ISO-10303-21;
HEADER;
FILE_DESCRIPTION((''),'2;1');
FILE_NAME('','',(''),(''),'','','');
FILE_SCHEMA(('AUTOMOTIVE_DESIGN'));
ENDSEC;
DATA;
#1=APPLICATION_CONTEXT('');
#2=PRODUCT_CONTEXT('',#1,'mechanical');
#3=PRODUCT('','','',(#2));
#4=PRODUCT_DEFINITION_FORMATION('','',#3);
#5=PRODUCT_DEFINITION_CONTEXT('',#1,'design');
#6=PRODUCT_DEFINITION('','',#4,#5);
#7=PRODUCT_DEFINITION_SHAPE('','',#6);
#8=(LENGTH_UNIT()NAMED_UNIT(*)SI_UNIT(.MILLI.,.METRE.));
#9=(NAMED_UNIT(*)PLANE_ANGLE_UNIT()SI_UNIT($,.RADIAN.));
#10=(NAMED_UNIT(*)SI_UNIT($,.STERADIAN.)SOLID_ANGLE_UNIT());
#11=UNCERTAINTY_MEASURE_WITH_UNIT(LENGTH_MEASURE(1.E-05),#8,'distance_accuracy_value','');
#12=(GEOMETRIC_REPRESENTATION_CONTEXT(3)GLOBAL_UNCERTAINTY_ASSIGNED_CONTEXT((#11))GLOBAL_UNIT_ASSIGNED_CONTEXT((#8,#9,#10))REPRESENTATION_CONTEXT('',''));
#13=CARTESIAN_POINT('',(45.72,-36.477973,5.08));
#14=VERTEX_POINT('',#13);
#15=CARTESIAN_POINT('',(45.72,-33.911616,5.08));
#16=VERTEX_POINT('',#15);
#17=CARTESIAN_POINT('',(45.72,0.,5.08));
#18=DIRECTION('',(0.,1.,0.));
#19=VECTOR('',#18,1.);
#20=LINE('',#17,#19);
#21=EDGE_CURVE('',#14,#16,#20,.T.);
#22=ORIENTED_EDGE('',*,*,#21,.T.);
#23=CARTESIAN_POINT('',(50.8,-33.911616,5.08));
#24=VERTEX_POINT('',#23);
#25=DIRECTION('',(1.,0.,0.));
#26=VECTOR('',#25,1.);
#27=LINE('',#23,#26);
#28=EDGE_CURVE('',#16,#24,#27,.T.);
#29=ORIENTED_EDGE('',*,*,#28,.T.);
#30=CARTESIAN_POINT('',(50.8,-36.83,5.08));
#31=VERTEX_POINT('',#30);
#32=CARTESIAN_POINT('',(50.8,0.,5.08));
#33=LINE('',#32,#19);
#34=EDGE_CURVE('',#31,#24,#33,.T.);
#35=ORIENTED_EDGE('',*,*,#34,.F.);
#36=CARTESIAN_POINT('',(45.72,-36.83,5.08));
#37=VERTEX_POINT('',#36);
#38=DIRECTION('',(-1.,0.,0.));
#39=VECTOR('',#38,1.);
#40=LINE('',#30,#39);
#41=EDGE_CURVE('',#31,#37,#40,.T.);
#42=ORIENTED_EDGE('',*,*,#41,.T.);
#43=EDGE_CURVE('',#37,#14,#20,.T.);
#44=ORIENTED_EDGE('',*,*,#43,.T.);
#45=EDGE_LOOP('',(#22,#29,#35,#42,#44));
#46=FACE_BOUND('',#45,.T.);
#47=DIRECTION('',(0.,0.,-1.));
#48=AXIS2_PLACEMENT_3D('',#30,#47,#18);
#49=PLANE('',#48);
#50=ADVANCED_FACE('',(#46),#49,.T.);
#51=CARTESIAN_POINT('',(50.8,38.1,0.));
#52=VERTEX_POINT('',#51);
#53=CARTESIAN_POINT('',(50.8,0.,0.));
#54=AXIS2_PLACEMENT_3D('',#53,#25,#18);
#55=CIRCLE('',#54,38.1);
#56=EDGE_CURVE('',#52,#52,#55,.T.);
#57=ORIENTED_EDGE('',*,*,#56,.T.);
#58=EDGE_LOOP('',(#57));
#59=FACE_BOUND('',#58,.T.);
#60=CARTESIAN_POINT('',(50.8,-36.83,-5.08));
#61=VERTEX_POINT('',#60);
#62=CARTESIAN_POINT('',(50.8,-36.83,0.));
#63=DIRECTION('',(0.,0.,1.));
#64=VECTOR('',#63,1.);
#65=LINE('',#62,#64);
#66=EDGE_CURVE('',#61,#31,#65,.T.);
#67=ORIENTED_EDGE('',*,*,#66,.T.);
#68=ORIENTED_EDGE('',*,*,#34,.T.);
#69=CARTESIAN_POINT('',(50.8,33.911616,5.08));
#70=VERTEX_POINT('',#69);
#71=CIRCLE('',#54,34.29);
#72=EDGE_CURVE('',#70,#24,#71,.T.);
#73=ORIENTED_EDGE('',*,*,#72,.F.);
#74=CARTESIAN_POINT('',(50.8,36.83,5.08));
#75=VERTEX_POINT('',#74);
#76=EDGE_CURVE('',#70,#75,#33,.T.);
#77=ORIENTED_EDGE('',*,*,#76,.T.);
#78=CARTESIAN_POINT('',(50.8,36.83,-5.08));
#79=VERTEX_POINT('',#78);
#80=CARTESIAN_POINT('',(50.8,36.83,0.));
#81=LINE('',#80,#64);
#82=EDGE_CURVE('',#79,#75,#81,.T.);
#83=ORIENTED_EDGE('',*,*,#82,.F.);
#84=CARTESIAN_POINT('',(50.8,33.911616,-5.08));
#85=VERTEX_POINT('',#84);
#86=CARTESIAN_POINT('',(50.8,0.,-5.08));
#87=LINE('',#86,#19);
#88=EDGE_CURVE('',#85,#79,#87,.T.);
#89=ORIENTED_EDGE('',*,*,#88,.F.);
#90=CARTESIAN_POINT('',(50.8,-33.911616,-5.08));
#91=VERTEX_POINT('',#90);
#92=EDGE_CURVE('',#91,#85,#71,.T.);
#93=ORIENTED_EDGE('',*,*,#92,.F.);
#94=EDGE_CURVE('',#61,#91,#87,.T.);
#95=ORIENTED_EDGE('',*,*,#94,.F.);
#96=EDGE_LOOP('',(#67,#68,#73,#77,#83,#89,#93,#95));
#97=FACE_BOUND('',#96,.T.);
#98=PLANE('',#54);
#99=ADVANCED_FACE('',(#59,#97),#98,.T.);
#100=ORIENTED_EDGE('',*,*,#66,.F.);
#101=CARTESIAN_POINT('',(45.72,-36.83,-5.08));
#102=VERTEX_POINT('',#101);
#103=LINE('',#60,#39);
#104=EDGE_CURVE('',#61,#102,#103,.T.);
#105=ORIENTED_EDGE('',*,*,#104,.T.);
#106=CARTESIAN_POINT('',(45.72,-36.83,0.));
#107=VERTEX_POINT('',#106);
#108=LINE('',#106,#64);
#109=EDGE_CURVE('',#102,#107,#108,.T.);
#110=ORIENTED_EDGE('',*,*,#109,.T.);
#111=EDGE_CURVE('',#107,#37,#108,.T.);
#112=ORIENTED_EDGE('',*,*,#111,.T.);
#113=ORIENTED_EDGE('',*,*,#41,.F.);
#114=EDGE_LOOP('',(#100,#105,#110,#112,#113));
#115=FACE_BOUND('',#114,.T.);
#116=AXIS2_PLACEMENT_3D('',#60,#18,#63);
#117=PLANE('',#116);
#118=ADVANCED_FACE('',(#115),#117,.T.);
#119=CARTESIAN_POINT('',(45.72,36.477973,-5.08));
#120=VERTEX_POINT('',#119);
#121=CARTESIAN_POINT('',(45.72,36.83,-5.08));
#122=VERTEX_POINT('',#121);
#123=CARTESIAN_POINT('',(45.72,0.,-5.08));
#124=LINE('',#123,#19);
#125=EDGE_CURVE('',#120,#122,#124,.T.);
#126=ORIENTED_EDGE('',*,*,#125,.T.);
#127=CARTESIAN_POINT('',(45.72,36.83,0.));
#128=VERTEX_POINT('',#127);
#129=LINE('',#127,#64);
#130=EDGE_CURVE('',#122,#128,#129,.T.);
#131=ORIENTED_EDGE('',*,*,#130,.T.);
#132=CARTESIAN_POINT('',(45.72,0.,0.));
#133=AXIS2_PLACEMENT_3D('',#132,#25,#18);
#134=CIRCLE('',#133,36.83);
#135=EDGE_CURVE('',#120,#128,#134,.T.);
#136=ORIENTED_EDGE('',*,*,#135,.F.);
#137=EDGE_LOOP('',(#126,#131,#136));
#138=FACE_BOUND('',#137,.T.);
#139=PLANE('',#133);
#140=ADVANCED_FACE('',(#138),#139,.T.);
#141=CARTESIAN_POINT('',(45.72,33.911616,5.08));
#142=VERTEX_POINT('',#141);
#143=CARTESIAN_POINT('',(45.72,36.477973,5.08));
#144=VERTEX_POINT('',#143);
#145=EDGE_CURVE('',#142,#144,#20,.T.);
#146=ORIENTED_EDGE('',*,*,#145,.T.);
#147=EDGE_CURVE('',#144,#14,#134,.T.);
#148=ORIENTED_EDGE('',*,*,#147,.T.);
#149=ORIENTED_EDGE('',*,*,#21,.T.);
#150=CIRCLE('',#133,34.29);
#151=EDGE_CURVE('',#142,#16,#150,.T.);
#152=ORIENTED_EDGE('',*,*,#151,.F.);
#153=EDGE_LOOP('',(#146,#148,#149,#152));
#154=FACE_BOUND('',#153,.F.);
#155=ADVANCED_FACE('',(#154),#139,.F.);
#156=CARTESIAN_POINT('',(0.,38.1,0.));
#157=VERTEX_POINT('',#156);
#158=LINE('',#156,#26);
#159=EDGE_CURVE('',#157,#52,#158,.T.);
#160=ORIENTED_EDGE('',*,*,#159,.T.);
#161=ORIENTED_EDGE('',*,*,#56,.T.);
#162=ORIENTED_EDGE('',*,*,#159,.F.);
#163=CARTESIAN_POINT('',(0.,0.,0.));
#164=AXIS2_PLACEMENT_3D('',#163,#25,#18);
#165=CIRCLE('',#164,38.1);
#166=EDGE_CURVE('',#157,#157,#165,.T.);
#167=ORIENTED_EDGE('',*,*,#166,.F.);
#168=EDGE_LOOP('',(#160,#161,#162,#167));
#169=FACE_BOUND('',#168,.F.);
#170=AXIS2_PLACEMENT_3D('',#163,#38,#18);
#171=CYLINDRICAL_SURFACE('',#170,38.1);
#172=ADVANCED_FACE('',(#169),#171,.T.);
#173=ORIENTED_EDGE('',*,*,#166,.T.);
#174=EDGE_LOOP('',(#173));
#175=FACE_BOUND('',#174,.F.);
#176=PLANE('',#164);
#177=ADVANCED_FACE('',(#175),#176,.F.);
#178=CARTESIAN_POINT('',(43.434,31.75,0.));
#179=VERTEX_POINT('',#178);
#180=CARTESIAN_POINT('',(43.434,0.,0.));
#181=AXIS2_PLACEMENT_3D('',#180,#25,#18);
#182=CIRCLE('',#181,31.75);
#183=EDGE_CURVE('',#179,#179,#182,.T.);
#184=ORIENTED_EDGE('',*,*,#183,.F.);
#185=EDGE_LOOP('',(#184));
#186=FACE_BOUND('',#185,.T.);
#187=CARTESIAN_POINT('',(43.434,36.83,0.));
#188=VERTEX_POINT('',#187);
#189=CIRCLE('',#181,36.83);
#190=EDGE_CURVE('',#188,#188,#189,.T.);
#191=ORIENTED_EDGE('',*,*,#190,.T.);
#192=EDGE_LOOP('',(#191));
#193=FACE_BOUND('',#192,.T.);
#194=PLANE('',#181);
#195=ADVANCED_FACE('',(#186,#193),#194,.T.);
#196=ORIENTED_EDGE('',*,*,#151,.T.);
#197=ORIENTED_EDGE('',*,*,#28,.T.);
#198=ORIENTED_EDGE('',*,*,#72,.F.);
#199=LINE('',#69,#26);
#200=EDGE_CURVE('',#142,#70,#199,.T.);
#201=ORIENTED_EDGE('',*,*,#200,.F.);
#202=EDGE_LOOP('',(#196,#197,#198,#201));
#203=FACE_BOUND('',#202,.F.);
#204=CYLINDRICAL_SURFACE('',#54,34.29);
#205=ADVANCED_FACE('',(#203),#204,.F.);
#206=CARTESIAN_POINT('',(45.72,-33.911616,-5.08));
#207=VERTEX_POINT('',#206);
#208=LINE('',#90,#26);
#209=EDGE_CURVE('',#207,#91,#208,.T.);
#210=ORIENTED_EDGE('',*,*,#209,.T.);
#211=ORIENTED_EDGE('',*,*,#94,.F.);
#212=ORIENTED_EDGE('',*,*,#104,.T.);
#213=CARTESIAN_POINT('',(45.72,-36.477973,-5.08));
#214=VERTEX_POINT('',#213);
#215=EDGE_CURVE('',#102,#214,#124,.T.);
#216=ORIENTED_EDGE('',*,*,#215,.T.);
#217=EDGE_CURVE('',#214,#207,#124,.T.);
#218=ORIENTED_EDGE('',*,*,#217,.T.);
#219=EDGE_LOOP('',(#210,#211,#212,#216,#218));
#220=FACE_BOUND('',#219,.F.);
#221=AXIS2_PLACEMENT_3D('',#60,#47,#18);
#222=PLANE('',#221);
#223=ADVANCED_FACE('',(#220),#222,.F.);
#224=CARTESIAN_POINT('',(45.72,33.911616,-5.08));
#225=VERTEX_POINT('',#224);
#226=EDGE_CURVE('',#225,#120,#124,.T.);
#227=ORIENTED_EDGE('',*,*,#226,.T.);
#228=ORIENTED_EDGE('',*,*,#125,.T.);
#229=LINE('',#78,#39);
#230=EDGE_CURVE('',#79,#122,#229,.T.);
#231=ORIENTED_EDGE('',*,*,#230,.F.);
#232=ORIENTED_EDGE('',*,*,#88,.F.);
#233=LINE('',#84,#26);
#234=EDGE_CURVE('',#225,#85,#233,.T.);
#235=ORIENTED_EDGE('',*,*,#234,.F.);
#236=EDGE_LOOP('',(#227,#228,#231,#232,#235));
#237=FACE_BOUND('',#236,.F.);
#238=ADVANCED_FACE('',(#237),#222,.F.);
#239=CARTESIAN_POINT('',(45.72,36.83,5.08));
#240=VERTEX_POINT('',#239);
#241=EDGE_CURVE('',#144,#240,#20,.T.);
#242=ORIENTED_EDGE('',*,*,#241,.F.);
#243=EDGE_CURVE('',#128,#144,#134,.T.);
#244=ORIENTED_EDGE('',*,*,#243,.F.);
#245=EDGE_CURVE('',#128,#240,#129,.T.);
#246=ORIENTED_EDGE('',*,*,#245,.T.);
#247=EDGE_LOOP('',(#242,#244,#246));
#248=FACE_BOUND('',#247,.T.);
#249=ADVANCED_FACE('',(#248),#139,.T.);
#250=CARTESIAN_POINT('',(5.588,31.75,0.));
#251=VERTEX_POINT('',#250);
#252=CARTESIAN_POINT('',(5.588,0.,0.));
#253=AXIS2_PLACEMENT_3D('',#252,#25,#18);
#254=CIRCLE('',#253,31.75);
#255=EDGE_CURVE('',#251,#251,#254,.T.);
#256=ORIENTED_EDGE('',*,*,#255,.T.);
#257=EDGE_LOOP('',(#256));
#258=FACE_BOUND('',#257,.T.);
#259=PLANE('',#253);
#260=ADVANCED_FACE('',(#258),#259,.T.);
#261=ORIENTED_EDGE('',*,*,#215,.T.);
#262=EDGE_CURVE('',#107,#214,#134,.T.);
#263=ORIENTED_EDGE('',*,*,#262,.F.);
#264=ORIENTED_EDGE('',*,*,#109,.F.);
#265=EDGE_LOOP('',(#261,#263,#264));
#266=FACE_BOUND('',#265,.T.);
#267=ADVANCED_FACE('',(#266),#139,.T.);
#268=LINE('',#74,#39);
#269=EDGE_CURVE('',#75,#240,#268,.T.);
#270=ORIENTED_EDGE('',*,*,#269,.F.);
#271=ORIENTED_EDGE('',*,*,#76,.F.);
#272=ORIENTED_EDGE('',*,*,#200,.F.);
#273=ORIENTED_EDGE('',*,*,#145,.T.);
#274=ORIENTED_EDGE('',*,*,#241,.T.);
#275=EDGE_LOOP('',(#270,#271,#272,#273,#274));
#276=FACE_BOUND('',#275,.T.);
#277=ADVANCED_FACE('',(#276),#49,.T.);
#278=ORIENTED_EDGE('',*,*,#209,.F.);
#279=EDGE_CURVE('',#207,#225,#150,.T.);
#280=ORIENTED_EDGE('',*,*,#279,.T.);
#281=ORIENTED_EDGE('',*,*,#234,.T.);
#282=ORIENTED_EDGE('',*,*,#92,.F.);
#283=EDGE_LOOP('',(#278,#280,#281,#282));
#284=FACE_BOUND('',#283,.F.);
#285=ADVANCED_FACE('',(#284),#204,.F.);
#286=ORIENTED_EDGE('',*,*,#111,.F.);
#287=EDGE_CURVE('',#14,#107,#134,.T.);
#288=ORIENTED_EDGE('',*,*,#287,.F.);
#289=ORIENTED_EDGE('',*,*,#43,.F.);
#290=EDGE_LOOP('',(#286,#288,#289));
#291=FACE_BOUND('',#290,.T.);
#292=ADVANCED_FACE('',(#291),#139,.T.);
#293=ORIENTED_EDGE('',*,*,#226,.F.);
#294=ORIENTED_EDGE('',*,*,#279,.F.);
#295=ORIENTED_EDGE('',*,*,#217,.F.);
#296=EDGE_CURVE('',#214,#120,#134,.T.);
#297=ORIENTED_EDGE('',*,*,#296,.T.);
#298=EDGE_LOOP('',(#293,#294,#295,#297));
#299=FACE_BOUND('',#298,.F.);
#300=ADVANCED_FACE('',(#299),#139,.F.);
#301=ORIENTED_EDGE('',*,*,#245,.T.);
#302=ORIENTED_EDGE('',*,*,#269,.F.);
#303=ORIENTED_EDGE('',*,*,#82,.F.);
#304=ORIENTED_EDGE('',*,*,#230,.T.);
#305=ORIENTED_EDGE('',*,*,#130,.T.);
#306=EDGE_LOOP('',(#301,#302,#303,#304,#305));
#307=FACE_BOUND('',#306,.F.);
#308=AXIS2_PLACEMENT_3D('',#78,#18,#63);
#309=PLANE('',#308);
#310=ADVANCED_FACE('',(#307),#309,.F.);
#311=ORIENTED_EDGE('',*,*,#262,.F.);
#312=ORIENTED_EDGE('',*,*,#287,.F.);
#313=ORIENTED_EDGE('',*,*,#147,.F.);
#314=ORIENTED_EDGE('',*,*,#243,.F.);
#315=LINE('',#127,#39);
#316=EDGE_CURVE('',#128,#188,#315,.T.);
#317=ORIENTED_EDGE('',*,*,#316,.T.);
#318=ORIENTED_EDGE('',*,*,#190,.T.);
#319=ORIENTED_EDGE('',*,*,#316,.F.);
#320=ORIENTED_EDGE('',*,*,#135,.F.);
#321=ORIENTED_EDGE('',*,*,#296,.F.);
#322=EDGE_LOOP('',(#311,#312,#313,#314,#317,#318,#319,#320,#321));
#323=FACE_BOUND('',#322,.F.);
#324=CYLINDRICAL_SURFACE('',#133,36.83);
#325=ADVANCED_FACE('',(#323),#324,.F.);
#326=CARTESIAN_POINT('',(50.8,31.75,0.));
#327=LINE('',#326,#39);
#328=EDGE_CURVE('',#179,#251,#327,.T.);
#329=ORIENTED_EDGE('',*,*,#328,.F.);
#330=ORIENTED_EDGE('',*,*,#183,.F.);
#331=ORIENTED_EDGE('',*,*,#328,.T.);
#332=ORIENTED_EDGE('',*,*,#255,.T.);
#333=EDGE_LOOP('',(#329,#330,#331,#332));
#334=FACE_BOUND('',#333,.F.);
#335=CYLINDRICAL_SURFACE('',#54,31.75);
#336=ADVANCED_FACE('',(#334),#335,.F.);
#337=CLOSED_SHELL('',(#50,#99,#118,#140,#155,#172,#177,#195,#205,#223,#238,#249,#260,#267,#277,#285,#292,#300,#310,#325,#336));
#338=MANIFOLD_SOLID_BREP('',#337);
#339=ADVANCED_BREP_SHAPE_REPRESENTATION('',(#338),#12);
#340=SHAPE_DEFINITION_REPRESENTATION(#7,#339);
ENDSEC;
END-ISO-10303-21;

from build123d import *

# Parameters (mm, degrees)
F0_R     = 38.1
F1_DEPTH = 50.8
F2_R     = 31.75
F3_DEPTH = 45.212
F4_R     = 34.29
F5_DEPTH = 5.08
F6_W     = 73.66
F6_H     = 10.16
F7_DEPTH = 5.08
F8_R     = 36.83
F9_DEPTH = 2.286


with BuildPart() as f1:
    # F0 (on Right) → F1 (new body)
    with BuildSketch(Plane.YZ):
        Circle(F0_R)
    extrude(amount=F1_DEPTH)

    # F2 (on face) → F3 (cut)
    with BuildSketch(Plane.YZ.offset(50.8)):
        Circle(F2_R)
    extrude(amount=-F3_DEPTH, mode=Mode.SUBTRACT)

    # F4 (on face) → F5 (cut)
    with BuildSketch(Plane.YZ.offset(50.8)):
        Circle(F4_R)
    extrude(amount=-F5_DEPTH, mode=Mode.SUBTRACT)

    # F6 (on face) → F7 (cut)
    with BuildSketch(Plane.YZ.offset(50.8)):
        Rectangle(F6_W, F6_H)
    extrude(amount=-F7_DEPTH, mode=Mode.SUBTRACT)

    # F8 (on face) → F9 (cut)
    with BuildSketch(Plane.YZ.offset(45.72)):
        Circle(F8_R)
    extrude(amount=-F9_DEPTH, mode=Mode.SUBTRACT)


solid = f1.part
